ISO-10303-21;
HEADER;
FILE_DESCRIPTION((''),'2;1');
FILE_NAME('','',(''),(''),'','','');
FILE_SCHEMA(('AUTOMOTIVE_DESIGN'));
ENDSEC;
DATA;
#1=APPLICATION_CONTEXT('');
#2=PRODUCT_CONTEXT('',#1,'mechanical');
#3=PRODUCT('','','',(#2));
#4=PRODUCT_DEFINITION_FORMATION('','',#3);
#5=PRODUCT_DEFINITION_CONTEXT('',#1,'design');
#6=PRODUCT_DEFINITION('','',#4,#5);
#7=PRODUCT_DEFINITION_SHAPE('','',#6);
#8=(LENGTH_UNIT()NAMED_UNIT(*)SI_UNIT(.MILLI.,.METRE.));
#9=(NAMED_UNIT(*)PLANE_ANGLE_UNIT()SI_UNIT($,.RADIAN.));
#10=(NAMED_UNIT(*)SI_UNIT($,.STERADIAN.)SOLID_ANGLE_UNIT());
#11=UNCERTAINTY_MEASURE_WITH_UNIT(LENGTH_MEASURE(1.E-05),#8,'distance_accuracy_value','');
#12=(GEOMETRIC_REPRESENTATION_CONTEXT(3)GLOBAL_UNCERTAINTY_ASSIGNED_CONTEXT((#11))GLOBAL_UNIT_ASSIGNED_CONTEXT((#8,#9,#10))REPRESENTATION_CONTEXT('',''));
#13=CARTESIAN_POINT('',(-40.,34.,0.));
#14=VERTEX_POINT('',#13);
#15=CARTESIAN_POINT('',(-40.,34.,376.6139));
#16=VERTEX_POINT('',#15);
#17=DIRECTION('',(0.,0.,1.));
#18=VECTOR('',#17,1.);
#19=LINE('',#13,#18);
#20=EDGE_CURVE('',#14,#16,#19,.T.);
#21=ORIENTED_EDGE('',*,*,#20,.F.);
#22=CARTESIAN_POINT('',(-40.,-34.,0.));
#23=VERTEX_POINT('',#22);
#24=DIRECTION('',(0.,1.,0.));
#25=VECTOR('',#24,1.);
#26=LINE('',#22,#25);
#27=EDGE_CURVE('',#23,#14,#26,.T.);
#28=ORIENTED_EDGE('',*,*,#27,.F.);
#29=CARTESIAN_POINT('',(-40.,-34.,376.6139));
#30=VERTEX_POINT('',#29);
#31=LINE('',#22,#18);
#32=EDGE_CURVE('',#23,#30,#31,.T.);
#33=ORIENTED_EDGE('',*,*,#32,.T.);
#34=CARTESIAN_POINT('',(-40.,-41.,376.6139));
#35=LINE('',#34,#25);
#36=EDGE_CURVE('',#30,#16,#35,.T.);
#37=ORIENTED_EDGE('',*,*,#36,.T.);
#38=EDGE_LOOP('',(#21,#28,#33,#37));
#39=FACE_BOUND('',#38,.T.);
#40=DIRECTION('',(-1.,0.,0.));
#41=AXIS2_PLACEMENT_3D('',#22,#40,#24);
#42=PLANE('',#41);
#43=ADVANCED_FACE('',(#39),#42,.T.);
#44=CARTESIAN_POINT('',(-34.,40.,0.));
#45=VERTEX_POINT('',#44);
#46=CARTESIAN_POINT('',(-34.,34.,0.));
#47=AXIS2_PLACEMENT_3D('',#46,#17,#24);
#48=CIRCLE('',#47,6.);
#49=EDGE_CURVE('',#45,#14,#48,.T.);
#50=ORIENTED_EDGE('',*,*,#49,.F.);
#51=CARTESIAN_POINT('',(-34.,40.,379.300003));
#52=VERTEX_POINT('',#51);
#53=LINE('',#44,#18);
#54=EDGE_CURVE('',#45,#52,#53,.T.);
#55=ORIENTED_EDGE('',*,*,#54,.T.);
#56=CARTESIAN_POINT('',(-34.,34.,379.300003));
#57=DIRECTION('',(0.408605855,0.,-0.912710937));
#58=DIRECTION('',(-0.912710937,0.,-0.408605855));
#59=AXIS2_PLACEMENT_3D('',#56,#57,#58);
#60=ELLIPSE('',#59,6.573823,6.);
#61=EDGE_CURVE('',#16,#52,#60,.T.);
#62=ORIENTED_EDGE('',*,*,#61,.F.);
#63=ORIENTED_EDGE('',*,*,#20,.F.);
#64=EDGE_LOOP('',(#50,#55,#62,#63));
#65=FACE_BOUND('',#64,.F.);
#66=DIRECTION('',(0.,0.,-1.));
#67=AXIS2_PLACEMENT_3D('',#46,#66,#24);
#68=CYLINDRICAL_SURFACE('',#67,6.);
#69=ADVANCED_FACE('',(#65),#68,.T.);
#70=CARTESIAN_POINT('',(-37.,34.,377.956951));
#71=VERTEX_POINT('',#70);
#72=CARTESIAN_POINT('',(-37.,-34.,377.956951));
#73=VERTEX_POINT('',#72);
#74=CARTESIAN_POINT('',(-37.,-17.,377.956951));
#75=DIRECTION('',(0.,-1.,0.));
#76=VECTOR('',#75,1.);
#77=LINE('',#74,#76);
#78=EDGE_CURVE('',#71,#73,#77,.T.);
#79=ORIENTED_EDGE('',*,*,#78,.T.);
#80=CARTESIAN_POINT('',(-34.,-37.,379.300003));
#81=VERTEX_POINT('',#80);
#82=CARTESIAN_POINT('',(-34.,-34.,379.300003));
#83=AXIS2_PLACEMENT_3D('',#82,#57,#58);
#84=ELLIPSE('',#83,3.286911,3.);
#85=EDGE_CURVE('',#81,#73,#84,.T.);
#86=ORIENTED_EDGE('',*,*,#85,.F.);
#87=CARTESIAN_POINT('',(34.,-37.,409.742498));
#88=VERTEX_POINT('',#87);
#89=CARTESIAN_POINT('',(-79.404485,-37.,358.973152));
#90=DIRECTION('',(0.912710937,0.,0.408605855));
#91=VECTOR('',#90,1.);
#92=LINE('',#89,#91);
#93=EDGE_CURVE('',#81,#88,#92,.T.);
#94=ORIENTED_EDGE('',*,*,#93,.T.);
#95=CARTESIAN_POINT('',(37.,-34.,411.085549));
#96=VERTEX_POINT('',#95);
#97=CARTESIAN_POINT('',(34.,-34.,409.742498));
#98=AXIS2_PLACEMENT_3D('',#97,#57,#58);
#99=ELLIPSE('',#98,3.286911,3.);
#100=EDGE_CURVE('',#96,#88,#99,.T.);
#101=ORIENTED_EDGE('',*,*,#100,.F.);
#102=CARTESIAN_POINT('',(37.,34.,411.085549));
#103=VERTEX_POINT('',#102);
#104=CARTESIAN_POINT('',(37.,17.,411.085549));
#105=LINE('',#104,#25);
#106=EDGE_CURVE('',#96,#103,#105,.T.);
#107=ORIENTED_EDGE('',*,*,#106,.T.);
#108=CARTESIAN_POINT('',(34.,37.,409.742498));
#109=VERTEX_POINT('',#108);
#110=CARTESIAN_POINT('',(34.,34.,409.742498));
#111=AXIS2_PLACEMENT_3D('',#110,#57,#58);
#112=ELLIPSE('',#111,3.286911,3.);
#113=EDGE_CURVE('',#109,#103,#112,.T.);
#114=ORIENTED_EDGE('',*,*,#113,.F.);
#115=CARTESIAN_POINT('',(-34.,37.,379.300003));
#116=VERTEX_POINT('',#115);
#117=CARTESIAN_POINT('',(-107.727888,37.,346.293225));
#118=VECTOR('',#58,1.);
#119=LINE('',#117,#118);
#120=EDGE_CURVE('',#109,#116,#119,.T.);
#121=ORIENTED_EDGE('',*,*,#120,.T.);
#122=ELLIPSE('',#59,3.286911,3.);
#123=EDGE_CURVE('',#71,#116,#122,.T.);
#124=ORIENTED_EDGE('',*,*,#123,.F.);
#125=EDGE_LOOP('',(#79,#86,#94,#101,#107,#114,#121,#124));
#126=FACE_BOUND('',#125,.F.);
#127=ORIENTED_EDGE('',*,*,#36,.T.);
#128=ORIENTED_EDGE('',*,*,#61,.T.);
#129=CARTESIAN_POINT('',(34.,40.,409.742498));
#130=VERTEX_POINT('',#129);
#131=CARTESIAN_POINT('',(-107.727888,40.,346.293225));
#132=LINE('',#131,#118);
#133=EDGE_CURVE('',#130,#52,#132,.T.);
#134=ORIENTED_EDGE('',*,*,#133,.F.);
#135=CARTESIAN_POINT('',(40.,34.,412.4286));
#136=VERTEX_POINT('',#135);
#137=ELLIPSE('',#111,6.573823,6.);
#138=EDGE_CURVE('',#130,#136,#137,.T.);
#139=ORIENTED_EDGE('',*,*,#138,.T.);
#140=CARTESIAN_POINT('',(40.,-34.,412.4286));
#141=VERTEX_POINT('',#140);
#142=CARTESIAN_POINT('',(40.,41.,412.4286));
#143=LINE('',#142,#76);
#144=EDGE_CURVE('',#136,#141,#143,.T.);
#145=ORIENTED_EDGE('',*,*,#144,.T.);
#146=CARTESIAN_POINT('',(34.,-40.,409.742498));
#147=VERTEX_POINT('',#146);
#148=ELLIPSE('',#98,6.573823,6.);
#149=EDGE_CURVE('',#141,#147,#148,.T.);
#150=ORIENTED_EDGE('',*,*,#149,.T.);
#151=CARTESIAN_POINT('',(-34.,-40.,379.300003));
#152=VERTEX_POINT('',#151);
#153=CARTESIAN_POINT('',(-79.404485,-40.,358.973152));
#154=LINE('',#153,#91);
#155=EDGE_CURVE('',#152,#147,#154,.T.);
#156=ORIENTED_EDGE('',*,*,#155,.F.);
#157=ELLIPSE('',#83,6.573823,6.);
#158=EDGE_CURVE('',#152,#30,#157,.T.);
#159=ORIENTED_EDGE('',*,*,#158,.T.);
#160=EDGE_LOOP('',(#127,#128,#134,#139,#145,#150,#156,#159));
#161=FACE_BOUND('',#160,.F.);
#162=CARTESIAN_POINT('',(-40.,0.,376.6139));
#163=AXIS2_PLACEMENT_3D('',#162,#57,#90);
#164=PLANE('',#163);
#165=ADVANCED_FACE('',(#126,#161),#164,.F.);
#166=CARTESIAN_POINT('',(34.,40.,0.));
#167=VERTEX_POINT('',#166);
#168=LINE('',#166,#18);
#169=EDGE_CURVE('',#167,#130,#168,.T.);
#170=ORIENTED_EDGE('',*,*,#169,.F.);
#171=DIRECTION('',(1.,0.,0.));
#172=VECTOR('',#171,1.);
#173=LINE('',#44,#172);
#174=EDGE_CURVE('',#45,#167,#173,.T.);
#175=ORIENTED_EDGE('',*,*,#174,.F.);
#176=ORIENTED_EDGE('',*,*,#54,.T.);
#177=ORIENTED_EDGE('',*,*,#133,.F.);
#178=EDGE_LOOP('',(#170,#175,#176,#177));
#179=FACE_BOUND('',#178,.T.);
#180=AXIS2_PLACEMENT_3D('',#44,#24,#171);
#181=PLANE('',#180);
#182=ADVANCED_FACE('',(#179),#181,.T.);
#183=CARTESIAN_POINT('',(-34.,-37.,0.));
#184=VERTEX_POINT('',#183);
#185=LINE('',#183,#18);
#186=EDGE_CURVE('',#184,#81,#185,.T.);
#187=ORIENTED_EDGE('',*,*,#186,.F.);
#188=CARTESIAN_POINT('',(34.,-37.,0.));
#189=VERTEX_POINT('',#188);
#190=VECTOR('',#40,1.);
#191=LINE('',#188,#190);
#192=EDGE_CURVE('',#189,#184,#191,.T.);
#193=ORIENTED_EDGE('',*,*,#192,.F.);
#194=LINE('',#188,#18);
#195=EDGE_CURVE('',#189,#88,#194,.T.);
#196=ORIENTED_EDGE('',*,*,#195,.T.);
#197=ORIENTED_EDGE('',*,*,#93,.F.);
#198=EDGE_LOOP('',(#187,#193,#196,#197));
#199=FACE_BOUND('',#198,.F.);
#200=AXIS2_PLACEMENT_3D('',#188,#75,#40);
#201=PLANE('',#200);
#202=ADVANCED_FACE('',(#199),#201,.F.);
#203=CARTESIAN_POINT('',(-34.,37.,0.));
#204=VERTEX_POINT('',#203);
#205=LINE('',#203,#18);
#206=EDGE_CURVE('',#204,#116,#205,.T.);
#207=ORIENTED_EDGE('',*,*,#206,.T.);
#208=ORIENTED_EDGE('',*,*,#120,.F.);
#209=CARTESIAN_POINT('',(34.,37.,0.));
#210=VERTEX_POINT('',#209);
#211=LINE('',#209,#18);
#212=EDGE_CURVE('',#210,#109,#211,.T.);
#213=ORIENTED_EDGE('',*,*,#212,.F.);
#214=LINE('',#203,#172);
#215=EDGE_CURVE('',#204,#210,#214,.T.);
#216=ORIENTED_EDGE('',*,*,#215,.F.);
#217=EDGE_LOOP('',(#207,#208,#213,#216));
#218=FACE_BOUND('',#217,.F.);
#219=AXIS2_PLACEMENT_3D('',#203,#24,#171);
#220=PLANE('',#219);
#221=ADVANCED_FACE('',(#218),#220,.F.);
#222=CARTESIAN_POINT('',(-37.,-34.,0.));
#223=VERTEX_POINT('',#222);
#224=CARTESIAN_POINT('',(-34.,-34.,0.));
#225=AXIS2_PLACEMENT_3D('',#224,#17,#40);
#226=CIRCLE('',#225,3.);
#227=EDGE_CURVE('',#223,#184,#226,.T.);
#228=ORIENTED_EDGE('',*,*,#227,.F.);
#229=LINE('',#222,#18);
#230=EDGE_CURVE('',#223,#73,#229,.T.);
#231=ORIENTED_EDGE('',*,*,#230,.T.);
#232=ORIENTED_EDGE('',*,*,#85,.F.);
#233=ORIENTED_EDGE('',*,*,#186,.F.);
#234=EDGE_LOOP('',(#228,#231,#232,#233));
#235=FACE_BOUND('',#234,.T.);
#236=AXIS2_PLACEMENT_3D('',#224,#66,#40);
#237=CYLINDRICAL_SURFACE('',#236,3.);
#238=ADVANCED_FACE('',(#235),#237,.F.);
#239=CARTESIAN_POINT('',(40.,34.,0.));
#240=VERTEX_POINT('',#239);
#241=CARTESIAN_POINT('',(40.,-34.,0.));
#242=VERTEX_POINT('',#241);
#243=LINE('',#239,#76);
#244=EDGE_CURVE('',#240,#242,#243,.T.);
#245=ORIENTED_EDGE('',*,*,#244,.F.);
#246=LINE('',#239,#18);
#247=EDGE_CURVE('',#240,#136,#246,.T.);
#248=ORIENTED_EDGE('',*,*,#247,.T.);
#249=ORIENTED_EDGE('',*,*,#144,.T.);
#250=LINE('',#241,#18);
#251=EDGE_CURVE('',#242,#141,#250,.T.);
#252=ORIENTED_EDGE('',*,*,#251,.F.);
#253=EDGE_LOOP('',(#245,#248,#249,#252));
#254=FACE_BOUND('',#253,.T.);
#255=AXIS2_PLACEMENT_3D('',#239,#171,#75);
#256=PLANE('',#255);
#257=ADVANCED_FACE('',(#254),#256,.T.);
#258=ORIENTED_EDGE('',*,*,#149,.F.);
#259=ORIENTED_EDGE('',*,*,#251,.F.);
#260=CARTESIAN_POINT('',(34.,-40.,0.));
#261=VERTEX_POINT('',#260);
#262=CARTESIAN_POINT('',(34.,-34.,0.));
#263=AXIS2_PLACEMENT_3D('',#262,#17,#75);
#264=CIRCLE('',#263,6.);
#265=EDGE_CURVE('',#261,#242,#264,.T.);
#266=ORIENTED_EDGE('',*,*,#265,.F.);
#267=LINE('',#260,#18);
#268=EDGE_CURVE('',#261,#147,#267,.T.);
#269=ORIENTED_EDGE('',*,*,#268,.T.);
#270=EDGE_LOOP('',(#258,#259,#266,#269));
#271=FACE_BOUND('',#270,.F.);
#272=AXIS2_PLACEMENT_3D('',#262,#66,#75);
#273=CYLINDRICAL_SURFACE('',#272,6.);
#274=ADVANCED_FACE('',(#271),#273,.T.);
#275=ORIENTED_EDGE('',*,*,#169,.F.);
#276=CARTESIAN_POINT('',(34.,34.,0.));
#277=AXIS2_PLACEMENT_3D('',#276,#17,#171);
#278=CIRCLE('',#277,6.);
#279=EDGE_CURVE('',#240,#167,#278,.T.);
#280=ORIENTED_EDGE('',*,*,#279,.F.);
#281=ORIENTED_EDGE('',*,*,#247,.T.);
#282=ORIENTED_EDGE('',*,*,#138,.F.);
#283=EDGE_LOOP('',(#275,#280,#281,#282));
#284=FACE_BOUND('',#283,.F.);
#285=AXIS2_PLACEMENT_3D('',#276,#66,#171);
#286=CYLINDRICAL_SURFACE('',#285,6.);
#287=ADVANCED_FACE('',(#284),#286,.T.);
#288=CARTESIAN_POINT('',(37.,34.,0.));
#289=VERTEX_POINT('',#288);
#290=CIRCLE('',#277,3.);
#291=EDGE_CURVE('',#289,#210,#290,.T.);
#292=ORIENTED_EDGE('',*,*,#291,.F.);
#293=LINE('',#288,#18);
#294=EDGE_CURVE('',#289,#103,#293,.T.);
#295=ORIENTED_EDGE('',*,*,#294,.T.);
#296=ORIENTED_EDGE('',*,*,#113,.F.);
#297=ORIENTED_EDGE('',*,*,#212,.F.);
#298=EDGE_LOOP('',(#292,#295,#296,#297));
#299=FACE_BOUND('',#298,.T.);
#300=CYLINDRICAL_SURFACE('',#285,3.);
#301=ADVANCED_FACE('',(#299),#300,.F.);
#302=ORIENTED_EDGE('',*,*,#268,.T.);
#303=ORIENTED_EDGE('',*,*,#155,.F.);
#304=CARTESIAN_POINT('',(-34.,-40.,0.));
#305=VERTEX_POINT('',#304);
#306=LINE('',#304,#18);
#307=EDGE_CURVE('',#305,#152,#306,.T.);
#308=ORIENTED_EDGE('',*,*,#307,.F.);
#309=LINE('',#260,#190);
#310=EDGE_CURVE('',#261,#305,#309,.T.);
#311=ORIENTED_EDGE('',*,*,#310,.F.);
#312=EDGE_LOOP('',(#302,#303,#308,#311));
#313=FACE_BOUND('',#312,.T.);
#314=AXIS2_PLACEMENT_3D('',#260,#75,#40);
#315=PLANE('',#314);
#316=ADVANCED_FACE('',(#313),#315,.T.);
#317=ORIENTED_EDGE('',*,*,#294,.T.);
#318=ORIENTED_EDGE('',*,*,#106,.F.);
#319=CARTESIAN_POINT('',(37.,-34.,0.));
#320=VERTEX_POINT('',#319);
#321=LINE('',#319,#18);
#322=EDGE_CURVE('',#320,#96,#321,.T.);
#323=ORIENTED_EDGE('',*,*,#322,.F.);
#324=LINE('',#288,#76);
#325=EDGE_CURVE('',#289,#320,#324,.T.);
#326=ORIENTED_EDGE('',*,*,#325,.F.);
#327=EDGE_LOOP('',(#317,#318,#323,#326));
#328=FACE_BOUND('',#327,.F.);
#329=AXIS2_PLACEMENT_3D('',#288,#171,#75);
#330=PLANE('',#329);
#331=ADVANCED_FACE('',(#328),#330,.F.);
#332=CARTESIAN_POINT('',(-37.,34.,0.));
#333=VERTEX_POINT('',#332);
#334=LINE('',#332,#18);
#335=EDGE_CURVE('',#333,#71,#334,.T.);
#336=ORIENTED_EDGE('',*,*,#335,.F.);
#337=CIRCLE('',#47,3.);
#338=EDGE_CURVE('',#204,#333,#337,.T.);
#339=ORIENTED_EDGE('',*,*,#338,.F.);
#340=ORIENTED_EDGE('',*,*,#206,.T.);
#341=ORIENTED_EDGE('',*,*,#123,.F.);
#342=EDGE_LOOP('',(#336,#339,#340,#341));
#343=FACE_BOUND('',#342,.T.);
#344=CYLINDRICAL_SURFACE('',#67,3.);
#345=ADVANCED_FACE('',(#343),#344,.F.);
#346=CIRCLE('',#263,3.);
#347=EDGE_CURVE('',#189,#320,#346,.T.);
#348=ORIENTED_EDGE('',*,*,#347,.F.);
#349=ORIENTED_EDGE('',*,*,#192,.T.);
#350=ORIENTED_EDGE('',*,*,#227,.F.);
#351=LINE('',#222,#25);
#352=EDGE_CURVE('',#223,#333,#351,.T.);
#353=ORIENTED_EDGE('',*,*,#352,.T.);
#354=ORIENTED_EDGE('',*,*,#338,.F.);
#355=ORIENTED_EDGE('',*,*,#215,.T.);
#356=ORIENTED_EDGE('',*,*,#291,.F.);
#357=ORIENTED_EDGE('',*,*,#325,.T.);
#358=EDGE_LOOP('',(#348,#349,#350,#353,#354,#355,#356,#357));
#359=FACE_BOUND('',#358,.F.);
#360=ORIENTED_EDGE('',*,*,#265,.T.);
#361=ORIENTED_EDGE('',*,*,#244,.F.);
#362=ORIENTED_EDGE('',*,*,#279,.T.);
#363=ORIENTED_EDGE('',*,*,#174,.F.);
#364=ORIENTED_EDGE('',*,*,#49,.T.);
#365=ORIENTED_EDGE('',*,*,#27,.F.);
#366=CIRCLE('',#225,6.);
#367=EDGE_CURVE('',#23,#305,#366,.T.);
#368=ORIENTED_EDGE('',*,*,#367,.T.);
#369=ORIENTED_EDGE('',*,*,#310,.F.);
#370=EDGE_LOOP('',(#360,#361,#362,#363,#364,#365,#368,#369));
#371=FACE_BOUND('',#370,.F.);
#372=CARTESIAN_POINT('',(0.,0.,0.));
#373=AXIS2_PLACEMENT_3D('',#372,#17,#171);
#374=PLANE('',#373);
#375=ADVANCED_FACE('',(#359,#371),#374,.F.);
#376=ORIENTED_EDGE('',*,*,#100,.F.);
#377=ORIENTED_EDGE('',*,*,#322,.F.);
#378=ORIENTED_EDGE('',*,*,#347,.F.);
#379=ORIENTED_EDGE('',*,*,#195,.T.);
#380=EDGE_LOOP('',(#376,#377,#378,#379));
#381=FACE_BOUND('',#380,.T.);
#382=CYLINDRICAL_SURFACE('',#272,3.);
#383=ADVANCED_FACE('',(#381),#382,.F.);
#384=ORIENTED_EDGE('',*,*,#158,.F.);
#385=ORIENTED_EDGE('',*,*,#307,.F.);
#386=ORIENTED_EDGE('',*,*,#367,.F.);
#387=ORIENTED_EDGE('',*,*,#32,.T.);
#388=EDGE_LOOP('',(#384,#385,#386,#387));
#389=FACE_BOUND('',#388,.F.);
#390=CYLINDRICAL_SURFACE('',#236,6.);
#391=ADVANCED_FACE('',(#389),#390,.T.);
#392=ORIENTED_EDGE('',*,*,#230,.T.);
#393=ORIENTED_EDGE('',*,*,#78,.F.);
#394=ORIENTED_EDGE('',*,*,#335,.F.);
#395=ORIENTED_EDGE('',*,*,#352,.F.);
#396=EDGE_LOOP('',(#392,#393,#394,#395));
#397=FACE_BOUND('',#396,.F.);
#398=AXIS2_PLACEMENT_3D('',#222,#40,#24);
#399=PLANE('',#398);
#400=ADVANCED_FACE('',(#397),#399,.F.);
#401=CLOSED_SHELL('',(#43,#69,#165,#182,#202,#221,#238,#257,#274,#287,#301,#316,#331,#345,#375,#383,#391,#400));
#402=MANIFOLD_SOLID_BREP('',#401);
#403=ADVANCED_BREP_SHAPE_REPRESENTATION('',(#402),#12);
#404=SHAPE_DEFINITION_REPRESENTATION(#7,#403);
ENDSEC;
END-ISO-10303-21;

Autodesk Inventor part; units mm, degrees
ref_plane "YZ Plane" through (0, 0, 0) normal (1, 0, 0) x (0, 1, 0)
ref_plane "Start plane" through (0, 0, 0) normal (0, 0, 1) x (1, 0, 0)
ref_plane "End plane" through (0, 0, 1000) normal (0, 0, 1) x (1, 0, 0)
sketch "Sketch" plane through (0, 0, 0) normal (0, 0, 1) x (1, 0, 0)
  line L0 (-40, -34) -> (-40, 34)
  line L1 (-34, 40) -> (34, 40)
  line L2 (40, 34) -> (40, -34)
  line L3 (34, -40) -> (-34, -40)
  arc A0 (-40, -34) -> (-34, -40) centre (-34, -34) ccw
  arc A1 (40, 34) -> (34, 40) centre (34, 34) ccw
  arc A2 (-34, 40) -> (-40, 34) centre (-34, 34) ccw
  arc A3 (34, -40) -> (40, -34) centre (34, -34) ccw
  arc A4 (-34, 37) -> (-37, 34) centre (-34, 34) ccw
  line L4 (-34, 37) -> (34, 37)
  arc A5 (37, 34) -> (34, 37) centre (34, 34) ccw
  line L5 (37, 34) -> (37, -34)
  arc A6 (34, -37) -> (37, -34) centre (34, -34) ccw
  line L6 (34, -37) -> (-34, -37)
  arc A7 (-37, -34) -> (-34, -37) centre (-34, -34) ccw
  line L7 (-37, -34) -> (-37, 34)
  line L8 (0, 57.7397) -> (0, -57.7397) construction
  line L9 (-1453.6197, 0) -> (290.3864, 0) construction
  dimension "d7" = 6
  dimension "d9" = 80
  dimension "d11" = 80
  dimension "d12" = 3
  dimension "d15" = 40
  dimension "d16" = 40
extrude "Body" add sketch "Sketch" along normal up to surface (1000 mm away) from surface at 0
sketch "Sketch3" plane through (0, 0, 0) normal (0, 0, 1) x (1, 0, 0)
  line L0 (0, 0) -> (10, 0)
ref_plane "Work Plane3" through (0, 0, 0) normal (0, -1, 0) x (1, 0, 0)
sketch "Sketch5" plane through (0, 0, 0) normal (0, 1, 0) x (-1, 0, 0)
  line L0 (-40, 0) -> (-40, 1000) projected
  line L1 (40, 0) -> (40, 1000) projected
  line L2 (40, 0) -> (40, 1000) projected
  line L3 (40, 387.5702) -> (490, 387.5702) construction
  line L4 (-47.0166, 426.8676) -> (1027.0166, 426.8676) construction
  arc A0 (-47.0166, 426.8676) -> (490, 300) centre (490, 1500) ccw construction
  line L5 (-110, 528.8152) -> (1090, 528.8152) construction
  arc A1 (-110, 528.8152) -> (-47.0166, 426.8676) centre (4, 528.8152) ccw construction
  arc A2 (1027.0166, 426.8676) -> (1090, 528.8152) centre (976, 528.8152) ccw
  line L6 (-110, 528.8152) -> (-110, 568.8152)
  line L7 (1090, 528.8152) -> (1090, 568.8152)
  line L8 (-110, 568.8152) -> (490, 568.8152) construction
  line L9 (490, 568.8152) -> (490, 0)
  arc A3 (490, 300) -> (1027.0166, 426.8676) centre (490, 1500) ccw
  line L10 (490, 568.8152) -> (1090, 568.8152)
  point P0 (0, 0)
  dimension "d22" = 450
  dimension "d24" = 1200
  dimension "d25" = 114
  dimension "d26" = 40
  dimension "d27" = 1200
  dimension "d28" = 300
  dimension "d30" = 387.5702
sketch "Sketch6" plane through (0, 0, 0) normal (0, 1, 0) x (-1, 0, 0)
  line L0 (40, 0) -> (40, 1000) projected
  line L1 (40, 0) -> (40, 1000) projected
  line L2 (-40, 0) -> (-40, 1000) projected
  line L3 (-40, 0) -> (-40, 1000) projected
  line L4 (34, 1000) -> (40, 1000) projected
  line L5 (40, 1000) -> (-40, 1000)
  line L6 (-40, 423.3849) -> (40, 387.5702)
  arc A0 (-47.0166, 426.8676) -> (490, 300) centre (490, 1500) ccw construction
  line L7 (40, 376.6139) -> (-40, 412.4286)
  point P0 (0, 0)
  point P1 (-40, 423.3849)
  point P2 (-40, 412.4286)
  point P3 (40, 376.6139)
  dimension "d33" = 10
extrude "Extrusion2" cut sketch "Sketch6" along normal through all both and the other way through all
sketch "Sketch4" plane through (0, 0, 0) normal (0, -1, 0) x (1, 0, 0)
  line L0 (-1453.3712, 0) -> (288.8952, 0) projected
  line L1 (-1453.3712, 1000) -> (288.8952, 1000) projected
  dimension "d18" = 1000
equation "\"d7\" = G_IR"
equation "\"d9\" = G_W"
equation "\"d11\" = G_H"
equation "\"d12\" = G_T"
equation "\"d15\" = 0.5 * d9"
equation "\"d16\" = 0.5 * d11"
equation "\"d3\" = G_L"
equation "\"d24\" = d27"
equation "\"d25\" = 0.095 * d27"
equation "\"G_W\" = 80"
equation "\"G_H\" = 80"
equation "\"G_T\" = 3"
equation "\"G_IR\" = 6"
equation "\"G_L\" = d18"
equation "\"G_OFFSET_START\" = 0"
equation "\"G_OFFSET_END\" = 0"
properties part number "PNS-781 Leg tube" material "Steel"
